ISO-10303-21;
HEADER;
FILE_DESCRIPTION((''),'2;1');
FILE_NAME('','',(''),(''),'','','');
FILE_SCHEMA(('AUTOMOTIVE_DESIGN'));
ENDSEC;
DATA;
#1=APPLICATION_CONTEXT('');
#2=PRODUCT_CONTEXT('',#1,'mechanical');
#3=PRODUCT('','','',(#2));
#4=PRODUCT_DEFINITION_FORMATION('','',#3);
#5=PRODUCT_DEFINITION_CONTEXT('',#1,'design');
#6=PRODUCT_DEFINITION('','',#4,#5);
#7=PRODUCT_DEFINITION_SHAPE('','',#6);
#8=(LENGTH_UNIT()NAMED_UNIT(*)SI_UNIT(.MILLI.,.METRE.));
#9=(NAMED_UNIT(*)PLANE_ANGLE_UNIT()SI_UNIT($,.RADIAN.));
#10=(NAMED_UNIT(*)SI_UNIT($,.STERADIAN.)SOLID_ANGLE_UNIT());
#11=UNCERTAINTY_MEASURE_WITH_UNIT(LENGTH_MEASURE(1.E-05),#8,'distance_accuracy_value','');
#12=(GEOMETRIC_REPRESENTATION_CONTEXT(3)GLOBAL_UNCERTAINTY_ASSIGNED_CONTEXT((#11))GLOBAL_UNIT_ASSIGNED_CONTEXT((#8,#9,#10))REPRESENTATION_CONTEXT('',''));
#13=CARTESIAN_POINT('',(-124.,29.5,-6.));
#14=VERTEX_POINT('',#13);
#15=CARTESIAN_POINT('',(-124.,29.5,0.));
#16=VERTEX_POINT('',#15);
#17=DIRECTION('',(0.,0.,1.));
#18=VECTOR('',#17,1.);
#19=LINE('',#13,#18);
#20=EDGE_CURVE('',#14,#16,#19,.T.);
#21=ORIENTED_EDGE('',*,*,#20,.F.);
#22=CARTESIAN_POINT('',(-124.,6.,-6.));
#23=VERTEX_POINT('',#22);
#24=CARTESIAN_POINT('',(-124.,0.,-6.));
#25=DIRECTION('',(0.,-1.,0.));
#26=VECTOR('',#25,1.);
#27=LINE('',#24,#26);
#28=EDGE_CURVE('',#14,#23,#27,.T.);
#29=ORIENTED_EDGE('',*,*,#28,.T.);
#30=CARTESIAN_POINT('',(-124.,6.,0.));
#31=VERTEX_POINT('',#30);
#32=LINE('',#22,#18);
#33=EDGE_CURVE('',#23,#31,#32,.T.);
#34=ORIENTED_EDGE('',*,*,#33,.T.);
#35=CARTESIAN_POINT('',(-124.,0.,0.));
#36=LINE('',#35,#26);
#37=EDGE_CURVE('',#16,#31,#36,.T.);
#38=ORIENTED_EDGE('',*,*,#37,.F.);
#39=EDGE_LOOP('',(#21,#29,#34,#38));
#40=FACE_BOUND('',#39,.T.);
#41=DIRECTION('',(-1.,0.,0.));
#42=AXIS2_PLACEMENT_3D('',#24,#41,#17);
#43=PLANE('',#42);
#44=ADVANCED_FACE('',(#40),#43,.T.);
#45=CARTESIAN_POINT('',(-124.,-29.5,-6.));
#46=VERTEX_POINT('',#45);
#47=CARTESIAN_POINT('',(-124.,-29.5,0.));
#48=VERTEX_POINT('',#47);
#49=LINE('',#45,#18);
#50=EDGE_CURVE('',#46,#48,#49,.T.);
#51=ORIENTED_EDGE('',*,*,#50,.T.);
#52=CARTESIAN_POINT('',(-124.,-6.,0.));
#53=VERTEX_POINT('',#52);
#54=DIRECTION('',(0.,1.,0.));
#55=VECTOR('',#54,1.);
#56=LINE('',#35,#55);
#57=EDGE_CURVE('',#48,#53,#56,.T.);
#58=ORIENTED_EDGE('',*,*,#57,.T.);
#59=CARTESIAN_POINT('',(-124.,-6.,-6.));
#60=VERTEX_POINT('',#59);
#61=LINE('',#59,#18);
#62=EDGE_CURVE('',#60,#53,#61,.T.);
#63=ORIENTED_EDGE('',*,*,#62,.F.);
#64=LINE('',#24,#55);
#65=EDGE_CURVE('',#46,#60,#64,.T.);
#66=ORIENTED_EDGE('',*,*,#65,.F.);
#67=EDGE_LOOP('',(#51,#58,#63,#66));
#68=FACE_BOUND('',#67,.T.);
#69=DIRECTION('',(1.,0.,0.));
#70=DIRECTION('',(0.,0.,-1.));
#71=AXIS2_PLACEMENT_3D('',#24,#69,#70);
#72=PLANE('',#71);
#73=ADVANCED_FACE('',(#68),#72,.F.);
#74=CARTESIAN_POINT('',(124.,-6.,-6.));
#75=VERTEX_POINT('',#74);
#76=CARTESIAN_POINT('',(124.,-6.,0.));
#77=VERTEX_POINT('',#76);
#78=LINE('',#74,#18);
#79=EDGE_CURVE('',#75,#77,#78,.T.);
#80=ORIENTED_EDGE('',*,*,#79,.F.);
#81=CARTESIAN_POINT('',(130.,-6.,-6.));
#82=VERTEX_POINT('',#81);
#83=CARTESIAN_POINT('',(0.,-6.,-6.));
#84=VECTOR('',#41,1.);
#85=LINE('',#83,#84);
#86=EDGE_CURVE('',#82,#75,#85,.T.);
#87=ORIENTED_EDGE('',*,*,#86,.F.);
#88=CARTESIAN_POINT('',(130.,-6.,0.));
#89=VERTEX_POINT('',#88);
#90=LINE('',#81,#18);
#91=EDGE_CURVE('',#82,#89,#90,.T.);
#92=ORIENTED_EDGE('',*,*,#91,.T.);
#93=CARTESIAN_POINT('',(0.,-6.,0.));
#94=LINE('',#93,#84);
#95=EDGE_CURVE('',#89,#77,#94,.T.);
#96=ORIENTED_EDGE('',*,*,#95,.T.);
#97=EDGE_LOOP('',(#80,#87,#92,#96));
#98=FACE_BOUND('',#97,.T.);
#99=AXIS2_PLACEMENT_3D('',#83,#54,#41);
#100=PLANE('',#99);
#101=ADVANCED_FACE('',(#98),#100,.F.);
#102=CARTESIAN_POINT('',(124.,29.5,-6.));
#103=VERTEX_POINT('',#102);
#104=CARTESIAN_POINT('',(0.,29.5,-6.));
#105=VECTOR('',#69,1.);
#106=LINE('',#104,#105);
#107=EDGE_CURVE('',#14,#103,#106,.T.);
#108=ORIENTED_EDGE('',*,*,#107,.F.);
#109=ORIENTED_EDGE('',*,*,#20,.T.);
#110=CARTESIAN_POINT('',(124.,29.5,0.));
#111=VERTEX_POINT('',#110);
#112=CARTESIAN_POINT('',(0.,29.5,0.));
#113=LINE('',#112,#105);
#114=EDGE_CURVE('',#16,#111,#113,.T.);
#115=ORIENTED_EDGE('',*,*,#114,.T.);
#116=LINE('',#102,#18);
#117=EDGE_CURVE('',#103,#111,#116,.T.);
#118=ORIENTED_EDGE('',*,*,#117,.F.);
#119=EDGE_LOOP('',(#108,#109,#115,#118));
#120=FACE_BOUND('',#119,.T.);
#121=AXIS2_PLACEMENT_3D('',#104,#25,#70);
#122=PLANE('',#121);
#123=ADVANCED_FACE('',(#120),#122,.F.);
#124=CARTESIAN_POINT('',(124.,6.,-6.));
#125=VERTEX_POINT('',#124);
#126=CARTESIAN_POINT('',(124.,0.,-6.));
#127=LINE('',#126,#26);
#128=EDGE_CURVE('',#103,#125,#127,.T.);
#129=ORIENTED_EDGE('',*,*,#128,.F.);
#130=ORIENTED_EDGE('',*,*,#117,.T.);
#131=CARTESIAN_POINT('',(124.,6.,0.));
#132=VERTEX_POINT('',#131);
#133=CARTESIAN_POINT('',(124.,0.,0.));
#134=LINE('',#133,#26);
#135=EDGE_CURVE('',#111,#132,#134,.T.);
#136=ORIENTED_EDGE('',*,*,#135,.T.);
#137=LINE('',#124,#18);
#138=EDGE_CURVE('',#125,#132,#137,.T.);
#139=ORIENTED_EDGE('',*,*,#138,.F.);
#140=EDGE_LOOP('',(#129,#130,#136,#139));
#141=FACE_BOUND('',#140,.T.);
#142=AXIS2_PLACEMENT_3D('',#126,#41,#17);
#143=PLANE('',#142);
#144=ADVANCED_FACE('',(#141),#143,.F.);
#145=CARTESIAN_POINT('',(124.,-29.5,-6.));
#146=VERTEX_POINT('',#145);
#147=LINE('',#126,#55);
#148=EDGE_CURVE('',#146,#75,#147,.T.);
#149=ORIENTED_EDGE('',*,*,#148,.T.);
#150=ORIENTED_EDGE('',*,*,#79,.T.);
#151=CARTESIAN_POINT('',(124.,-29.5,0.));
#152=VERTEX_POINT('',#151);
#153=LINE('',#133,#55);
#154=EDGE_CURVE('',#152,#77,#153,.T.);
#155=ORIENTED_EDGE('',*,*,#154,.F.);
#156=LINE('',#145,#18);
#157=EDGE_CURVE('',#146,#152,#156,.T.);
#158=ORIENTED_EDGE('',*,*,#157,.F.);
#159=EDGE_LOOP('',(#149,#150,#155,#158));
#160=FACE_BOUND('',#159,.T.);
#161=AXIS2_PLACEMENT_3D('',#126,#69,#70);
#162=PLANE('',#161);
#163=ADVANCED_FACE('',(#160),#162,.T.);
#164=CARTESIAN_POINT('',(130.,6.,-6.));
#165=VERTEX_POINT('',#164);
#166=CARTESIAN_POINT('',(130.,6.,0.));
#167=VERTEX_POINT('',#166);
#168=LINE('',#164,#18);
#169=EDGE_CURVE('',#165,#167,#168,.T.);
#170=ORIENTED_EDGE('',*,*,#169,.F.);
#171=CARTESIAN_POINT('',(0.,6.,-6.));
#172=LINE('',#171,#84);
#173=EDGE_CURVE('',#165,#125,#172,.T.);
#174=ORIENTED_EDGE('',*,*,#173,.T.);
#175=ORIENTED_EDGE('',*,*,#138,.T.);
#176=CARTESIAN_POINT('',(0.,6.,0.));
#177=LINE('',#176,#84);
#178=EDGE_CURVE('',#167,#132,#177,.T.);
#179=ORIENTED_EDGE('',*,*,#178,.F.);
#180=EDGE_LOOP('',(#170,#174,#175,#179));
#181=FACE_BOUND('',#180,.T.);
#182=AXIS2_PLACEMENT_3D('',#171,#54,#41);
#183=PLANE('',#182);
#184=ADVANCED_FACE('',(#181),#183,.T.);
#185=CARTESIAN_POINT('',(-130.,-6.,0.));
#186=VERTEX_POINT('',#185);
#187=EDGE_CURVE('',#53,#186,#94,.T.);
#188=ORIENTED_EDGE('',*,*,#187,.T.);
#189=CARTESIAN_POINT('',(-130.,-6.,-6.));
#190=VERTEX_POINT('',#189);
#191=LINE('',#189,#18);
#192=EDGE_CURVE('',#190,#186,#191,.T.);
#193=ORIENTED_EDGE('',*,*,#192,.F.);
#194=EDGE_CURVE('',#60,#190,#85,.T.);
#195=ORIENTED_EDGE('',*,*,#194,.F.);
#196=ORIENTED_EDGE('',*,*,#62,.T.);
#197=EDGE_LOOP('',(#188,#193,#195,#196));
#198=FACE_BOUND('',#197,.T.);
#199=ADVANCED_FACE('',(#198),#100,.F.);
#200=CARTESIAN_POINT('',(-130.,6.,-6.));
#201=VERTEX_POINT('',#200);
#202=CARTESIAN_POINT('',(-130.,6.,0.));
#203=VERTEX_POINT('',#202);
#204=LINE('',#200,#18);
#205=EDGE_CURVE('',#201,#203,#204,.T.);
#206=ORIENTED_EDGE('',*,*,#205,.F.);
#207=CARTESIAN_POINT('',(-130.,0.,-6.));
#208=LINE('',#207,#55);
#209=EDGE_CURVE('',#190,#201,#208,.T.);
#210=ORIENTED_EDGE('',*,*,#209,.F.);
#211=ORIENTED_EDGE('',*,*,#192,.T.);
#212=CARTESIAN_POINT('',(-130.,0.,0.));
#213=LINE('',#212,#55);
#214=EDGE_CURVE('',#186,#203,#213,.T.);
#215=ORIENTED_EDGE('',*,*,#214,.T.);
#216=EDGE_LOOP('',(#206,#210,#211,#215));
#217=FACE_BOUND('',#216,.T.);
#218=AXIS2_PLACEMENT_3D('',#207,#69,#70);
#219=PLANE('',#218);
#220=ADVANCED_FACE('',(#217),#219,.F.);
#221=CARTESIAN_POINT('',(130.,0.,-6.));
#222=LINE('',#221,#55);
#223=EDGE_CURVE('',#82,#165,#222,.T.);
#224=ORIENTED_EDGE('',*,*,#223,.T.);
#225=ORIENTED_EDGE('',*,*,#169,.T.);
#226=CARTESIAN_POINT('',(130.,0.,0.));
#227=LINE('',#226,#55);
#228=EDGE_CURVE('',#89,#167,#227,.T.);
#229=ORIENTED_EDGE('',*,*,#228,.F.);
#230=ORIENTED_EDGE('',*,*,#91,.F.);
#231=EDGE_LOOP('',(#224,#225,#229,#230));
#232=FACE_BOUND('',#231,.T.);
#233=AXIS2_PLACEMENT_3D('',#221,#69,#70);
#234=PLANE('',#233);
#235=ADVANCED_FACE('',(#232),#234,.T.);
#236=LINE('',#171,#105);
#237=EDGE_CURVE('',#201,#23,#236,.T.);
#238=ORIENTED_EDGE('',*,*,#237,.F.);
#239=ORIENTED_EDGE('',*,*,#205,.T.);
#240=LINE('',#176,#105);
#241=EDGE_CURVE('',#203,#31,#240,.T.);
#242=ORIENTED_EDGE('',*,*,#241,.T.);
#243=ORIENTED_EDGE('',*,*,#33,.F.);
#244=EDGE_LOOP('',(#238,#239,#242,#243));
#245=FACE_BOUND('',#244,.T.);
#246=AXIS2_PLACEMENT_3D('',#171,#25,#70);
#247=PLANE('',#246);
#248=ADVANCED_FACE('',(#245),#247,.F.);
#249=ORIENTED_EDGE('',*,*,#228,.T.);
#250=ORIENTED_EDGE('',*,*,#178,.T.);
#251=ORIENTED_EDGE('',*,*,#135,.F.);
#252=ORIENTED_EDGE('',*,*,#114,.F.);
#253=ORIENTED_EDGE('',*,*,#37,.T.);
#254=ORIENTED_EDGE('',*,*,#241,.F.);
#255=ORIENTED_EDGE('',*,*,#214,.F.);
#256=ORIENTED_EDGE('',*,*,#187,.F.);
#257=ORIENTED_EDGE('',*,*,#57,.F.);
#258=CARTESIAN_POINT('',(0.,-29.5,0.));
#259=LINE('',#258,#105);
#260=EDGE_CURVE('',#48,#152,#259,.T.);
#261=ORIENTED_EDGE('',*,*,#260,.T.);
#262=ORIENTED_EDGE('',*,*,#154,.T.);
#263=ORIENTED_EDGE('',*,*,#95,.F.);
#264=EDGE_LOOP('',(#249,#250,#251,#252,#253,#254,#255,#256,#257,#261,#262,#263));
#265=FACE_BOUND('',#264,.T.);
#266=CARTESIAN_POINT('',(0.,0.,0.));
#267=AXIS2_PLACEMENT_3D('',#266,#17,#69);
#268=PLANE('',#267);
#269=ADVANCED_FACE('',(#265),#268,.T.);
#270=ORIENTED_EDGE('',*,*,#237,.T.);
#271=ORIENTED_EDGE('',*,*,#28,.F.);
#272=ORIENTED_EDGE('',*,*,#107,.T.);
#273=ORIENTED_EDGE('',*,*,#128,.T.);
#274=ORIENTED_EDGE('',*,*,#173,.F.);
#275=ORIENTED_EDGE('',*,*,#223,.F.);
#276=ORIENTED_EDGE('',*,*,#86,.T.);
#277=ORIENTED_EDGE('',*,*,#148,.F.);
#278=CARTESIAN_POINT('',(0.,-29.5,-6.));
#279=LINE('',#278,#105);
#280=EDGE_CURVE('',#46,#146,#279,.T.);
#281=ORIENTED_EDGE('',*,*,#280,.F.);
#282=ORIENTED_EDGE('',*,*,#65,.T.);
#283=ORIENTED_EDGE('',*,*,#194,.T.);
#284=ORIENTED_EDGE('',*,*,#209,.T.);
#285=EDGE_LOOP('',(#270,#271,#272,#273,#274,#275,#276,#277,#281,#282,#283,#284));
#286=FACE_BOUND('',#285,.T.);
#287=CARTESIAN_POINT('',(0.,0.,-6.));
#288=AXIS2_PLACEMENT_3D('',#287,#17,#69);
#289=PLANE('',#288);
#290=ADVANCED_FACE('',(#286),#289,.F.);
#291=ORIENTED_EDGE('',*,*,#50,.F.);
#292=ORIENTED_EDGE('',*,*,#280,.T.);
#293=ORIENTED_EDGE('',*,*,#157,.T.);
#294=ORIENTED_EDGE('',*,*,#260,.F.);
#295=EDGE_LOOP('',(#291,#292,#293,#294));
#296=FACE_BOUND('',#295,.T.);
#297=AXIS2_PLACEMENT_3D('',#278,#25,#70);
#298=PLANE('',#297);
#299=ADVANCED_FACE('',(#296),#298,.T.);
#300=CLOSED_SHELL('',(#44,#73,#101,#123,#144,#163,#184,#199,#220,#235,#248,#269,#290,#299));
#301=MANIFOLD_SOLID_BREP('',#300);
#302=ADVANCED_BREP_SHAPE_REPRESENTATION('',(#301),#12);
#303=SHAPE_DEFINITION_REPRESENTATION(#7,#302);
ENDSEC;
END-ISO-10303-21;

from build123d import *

# Parameters (mm, degrees)
BOSS_EXTRUDE1_DEPTH = 6


with BuildPart() as part:
    # Sketch1 → Boss-Extrude1 (new body)
    with BuildSketch(Plane.XY):
        Polygon((-124, -6), (-124, -29.5), (124, -29.5), (124, -6), (130, -6), (130, 6), (124, 6), (124, 29.5), (-124, 29.5), (-124, 6), (-130, 6), (-130, -6), align=None)
    extrude(amount=-BOSS_EXTRUDE1_DEPTH)


solid = part.part
